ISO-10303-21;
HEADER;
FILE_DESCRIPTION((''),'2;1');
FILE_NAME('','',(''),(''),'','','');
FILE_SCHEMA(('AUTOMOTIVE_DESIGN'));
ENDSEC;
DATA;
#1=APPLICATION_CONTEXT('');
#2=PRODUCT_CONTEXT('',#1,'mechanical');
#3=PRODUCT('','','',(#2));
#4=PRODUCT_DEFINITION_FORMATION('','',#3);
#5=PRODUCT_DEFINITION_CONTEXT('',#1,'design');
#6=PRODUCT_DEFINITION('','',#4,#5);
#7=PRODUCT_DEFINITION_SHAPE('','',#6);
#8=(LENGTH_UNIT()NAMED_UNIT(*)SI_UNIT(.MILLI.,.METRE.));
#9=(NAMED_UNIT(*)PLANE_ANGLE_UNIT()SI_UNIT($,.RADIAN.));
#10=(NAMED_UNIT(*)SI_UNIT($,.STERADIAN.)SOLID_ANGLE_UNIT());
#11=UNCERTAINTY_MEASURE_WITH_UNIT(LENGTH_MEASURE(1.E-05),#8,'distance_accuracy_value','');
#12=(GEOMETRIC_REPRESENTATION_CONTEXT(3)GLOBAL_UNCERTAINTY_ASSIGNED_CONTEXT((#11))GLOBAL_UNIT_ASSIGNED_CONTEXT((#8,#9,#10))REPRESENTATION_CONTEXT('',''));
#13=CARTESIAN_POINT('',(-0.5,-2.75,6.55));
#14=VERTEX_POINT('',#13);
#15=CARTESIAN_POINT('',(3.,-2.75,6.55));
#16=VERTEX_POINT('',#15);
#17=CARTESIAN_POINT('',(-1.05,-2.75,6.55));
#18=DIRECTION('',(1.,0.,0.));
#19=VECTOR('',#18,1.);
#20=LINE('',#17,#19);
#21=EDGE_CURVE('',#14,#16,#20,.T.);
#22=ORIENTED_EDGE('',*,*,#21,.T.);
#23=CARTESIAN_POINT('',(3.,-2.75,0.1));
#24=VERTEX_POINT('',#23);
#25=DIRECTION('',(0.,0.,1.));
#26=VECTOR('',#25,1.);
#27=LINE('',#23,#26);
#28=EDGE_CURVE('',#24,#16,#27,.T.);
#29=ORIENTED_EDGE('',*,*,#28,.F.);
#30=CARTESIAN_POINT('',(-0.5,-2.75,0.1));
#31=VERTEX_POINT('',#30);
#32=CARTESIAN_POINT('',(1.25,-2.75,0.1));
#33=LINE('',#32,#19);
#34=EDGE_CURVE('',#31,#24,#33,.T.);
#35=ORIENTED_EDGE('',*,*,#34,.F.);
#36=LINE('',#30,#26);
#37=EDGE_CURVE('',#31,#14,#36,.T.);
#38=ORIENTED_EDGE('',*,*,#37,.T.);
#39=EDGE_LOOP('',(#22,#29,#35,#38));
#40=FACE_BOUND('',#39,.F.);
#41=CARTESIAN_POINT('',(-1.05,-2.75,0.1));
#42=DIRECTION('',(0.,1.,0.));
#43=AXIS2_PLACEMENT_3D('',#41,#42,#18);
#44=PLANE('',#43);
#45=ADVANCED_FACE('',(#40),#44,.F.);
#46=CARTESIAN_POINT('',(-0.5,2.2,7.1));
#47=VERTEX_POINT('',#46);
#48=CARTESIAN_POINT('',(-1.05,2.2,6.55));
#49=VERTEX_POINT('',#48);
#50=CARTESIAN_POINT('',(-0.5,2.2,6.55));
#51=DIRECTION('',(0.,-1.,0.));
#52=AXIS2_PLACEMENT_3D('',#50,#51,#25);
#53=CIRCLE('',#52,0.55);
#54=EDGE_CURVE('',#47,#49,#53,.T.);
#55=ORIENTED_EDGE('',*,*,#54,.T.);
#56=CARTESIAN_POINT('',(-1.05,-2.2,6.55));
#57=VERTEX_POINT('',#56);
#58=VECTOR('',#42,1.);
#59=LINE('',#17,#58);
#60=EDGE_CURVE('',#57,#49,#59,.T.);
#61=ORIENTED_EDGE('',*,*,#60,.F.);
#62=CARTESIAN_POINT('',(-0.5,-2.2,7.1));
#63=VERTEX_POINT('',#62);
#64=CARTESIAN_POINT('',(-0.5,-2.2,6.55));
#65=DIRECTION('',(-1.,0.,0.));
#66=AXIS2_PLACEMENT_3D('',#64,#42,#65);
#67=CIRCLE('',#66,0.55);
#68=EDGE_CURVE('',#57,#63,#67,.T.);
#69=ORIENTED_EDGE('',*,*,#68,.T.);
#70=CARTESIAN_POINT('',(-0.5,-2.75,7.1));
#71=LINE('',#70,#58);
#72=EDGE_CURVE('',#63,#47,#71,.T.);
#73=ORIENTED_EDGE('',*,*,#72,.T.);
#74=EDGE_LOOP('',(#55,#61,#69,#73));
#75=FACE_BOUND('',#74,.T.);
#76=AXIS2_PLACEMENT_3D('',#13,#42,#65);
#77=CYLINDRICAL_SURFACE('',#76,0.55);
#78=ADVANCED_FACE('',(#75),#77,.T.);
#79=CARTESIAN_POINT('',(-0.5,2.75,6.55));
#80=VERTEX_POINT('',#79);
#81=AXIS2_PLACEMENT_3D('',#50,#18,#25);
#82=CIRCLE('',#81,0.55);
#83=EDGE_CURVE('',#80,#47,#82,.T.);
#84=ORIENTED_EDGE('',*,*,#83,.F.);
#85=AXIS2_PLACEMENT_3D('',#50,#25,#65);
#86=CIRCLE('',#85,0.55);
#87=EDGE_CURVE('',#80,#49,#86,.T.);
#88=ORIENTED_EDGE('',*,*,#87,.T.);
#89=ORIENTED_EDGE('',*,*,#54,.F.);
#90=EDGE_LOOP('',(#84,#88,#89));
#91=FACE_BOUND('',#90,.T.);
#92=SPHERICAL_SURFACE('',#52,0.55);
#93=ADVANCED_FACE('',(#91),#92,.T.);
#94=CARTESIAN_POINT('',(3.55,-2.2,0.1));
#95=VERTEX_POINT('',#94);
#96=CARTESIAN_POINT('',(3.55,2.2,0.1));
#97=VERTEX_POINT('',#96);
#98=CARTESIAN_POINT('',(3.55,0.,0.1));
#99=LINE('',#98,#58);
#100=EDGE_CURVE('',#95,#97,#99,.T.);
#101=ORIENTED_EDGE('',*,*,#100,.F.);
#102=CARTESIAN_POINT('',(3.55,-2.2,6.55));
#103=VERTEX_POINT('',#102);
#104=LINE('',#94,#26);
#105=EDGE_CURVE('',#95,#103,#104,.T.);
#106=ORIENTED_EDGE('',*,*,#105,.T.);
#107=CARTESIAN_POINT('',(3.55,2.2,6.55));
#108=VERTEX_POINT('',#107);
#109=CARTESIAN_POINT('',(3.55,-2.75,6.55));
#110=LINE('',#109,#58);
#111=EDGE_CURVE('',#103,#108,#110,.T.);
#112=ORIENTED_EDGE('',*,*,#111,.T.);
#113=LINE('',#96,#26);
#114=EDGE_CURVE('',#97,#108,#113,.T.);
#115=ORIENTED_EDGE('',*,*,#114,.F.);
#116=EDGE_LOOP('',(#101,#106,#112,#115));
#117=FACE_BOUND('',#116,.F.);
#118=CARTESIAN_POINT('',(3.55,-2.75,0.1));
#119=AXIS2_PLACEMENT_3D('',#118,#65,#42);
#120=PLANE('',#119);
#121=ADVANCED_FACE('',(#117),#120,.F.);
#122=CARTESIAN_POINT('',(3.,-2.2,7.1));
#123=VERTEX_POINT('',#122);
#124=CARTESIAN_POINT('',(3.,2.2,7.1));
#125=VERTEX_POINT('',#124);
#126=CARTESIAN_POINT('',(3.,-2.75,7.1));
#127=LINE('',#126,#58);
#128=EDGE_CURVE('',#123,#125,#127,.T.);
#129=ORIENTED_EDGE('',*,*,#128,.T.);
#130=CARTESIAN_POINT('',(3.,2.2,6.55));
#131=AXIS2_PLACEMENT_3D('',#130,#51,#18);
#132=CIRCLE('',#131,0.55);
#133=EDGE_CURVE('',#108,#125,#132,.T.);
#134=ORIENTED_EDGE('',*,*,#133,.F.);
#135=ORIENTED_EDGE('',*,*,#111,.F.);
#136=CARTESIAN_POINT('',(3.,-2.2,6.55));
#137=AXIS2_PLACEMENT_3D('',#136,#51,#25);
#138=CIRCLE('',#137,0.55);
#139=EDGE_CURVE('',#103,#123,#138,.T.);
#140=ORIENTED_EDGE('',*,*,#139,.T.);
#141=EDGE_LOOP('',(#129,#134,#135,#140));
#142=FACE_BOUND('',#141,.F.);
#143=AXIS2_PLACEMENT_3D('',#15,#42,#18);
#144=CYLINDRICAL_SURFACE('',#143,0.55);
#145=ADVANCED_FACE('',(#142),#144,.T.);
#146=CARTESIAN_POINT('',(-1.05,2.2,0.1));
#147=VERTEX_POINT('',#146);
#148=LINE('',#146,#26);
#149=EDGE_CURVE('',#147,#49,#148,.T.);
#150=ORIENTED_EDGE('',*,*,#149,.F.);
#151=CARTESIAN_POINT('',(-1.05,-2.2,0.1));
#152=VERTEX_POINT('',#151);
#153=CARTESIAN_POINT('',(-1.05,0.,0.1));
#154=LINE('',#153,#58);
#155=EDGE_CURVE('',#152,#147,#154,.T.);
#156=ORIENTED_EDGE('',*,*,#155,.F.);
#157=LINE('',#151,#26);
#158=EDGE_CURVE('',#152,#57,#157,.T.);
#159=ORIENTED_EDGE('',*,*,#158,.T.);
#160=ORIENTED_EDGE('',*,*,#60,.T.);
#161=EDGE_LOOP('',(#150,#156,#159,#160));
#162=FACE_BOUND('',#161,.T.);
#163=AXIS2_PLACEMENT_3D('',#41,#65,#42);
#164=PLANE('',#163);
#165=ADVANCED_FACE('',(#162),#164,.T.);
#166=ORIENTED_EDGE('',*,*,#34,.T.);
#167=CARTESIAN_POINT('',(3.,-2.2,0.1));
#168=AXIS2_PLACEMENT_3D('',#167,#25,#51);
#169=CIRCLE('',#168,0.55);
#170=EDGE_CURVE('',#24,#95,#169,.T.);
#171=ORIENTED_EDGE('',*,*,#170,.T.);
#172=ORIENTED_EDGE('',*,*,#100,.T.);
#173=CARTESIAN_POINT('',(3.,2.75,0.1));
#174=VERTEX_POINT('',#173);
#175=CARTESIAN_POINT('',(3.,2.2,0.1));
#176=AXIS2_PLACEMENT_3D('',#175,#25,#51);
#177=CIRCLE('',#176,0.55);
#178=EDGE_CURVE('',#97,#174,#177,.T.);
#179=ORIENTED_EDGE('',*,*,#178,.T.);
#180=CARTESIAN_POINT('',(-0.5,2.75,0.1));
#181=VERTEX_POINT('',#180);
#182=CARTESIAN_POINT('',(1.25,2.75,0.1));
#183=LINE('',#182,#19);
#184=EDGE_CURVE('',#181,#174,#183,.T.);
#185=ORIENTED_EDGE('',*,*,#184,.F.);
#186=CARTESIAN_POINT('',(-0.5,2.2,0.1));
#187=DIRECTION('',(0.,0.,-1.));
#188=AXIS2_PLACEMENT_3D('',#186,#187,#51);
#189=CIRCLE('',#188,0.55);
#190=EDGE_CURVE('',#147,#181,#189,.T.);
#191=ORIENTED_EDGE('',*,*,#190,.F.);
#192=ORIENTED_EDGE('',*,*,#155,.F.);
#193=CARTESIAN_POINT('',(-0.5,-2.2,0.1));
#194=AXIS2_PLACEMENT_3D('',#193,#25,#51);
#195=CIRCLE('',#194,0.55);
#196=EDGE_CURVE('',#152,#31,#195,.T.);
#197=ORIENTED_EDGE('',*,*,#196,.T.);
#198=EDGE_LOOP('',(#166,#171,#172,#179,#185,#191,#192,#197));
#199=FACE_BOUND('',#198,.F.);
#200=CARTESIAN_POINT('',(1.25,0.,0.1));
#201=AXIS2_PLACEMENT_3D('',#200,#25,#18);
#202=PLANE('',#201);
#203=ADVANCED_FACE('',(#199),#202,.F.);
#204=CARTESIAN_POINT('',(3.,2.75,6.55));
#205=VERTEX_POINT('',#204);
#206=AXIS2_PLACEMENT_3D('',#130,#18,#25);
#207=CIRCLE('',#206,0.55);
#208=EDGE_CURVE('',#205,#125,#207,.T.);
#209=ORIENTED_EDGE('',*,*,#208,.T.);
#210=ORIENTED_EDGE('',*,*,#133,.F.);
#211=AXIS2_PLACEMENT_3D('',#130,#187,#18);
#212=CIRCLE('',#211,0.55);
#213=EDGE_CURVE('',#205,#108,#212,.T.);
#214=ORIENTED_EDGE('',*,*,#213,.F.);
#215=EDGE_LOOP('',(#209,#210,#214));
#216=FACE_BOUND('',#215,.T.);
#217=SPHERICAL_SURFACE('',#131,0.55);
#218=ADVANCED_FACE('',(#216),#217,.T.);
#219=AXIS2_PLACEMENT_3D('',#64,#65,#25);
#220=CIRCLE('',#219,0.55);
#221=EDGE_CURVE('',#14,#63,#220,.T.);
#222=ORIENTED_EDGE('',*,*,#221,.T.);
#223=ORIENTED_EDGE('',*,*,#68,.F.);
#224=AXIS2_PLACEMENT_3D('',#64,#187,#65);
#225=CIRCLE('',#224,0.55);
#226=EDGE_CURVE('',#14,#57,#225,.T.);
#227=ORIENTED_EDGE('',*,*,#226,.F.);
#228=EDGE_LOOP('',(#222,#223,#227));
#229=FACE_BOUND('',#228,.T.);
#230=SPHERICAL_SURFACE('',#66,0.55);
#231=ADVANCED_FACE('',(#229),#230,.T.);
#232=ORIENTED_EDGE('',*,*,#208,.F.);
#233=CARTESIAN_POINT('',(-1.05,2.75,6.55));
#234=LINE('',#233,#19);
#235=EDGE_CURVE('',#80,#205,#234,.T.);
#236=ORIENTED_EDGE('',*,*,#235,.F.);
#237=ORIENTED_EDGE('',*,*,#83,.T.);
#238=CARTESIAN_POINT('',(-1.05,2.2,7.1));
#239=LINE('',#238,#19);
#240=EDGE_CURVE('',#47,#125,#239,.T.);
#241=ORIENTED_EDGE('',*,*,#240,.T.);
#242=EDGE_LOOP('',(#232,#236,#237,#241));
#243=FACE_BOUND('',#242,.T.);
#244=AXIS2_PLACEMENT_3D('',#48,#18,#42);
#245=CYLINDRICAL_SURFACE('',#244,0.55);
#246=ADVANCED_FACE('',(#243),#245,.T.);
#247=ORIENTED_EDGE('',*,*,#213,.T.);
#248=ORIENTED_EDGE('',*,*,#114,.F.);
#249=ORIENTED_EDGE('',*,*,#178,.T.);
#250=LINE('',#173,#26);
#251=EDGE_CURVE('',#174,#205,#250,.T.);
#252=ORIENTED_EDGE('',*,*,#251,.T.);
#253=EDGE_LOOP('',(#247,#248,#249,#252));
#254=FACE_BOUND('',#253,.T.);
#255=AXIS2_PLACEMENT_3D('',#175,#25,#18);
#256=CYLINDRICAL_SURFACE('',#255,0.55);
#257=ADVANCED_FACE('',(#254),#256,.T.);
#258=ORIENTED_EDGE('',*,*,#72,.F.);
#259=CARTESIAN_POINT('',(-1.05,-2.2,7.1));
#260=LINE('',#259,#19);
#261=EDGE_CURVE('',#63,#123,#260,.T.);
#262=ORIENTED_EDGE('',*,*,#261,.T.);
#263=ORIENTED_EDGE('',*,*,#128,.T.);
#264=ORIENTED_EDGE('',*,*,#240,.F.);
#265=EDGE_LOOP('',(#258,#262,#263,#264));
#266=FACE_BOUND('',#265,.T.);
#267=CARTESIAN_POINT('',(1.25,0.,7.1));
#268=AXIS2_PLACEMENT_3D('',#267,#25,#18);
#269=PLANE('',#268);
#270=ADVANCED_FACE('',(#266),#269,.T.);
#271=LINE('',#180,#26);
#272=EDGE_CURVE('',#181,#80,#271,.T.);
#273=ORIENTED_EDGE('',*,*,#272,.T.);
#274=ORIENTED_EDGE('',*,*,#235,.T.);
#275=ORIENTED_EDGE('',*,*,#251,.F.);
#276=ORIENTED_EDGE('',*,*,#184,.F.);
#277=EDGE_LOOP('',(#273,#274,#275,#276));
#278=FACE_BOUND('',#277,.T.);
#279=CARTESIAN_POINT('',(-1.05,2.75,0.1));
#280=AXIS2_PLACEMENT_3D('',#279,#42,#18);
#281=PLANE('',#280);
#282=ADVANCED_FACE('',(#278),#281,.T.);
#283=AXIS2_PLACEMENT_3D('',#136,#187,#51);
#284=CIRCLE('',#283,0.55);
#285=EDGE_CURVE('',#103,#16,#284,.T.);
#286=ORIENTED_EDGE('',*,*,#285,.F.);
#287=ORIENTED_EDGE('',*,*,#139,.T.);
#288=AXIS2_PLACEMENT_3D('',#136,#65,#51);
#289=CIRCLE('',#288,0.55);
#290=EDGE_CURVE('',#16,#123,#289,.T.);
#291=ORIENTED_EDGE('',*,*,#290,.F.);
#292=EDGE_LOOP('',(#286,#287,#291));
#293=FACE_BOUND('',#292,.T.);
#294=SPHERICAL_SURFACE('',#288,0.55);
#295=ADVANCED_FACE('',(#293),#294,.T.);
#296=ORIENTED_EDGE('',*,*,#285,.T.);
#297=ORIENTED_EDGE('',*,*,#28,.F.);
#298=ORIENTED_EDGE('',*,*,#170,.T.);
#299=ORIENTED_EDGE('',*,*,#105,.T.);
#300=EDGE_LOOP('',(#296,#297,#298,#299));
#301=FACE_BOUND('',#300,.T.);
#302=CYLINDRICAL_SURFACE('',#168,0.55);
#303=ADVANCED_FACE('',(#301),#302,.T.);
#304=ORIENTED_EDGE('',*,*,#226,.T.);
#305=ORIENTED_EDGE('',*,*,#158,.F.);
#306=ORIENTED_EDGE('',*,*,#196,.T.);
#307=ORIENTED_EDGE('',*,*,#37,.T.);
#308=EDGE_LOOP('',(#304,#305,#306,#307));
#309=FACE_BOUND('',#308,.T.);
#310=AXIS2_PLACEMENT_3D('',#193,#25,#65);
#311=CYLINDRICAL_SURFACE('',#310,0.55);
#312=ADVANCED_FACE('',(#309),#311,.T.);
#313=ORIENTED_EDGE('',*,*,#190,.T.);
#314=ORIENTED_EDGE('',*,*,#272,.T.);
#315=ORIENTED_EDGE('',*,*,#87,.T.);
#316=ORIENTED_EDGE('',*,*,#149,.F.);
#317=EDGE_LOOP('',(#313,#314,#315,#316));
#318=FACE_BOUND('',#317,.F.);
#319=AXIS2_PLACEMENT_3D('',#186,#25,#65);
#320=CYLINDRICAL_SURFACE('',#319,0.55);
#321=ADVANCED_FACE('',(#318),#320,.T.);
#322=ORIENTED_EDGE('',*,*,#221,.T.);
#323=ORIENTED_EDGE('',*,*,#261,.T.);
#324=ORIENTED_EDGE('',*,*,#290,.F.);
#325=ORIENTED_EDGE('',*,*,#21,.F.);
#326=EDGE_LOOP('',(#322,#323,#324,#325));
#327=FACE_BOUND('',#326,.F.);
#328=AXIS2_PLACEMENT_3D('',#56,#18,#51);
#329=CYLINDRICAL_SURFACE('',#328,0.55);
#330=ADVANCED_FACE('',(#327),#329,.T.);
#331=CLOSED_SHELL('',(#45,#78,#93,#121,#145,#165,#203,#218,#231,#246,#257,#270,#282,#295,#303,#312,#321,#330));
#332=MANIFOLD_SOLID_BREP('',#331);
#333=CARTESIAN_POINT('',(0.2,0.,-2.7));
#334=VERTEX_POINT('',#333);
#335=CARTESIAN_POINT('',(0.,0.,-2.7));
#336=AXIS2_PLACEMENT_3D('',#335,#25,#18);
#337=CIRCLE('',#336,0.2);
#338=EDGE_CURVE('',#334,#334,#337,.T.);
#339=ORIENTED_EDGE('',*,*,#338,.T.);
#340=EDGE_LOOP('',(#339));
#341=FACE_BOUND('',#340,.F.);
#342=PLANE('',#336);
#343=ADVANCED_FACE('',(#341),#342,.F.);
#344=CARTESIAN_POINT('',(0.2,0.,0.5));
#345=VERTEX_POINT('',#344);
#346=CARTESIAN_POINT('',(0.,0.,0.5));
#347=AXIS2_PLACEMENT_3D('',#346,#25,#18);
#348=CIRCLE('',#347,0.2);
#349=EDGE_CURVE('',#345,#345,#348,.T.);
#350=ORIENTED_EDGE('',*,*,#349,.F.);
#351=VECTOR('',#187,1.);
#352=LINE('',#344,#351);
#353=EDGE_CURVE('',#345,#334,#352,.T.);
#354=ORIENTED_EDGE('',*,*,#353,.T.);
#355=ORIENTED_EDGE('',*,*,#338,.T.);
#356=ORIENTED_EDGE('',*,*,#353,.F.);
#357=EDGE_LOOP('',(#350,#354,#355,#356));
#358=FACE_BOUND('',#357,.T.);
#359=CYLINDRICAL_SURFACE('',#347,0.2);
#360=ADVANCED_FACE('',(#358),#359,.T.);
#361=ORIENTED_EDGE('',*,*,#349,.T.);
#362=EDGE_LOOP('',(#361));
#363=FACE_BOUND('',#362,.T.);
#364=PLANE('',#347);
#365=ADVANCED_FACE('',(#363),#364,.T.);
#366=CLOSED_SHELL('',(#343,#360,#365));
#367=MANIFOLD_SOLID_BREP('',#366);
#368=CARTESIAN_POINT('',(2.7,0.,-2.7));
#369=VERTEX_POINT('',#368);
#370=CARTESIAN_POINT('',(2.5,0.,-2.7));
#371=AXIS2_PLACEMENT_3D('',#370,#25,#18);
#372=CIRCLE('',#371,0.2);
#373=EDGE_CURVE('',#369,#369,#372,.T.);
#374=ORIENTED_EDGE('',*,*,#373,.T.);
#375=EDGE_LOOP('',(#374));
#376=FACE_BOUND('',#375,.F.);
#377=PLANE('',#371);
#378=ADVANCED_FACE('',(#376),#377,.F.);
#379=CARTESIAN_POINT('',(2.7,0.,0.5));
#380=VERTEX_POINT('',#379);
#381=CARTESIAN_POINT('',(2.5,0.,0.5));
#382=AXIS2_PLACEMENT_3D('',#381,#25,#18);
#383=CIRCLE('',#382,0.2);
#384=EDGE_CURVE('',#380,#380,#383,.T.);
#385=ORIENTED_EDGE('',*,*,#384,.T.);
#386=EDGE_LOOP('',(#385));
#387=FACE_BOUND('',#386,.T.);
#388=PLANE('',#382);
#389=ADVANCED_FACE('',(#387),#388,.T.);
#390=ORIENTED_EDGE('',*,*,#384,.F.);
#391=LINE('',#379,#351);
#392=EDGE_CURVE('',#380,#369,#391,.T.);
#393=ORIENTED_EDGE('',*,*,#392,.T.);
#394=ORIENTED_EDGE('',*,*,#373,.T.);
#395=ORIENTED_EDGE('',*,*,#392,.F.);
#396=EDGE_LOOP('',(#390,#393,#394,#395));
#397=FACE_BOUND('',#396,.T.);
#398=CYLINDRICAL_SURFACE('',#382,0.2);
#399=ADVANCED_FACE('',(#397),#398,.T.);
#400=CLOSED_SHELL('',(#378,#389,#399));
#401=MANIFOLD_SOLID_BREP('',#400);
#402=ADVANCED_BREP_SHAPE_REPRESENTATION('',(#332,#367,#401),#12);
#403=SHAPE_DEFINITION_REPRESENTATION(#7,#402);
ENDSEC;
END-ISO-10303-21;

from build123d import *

# Parameters (mm, degrees)
SKETCH_W     = 4.6
SKETCH_H     = 5.5
PAD_DEPTH    = 7
FILLET_R     = 0.55
SKETCH001_R  = 0.2
PAD001_DEPTH = 3.2


with BuildPart() as fillet_body:
    # Sketch → Pad (new body)
    with BuildSketch(Plane.XY.offset(0.1)):
        with Locations((1.25, 0)):
            Rectangle(SKETCH_W, SKETCH_H)
    extrude(amount=PAD_DEPTH)

    # Fillet
    fillet_edges = [fillet_body.edges().sort_by_distance(p)[0] for p in [
        (-1.05, 0, 7.1),
        (-1.05, -2.75, 3.6),
        (1.25, -2.75, 7.1),
        (3.55, -2.75, 3.6),
        (3.55, 0, 7.1),
        (3.55, 2.75, 3.6),
        (1.25, 2.75, 7.1),
        (-1.05, 2.75, 3.6),
    ]]
    fillet(fillet_edges, radius=FILLET_R)


with BuildPart() as pad001:
    # Sketch001 → Pad001 (new body)
    with BuildSketch(Plane.XY.offset(0.5)):
        Circle(SKETCH001_R)
        with Locations((2.5, 0)):
            Circle(SKETCH001_R)
    extrude(amount=-PAD001_DEPTH)


solid = Compound([fillet_body.part, pad001.part])
